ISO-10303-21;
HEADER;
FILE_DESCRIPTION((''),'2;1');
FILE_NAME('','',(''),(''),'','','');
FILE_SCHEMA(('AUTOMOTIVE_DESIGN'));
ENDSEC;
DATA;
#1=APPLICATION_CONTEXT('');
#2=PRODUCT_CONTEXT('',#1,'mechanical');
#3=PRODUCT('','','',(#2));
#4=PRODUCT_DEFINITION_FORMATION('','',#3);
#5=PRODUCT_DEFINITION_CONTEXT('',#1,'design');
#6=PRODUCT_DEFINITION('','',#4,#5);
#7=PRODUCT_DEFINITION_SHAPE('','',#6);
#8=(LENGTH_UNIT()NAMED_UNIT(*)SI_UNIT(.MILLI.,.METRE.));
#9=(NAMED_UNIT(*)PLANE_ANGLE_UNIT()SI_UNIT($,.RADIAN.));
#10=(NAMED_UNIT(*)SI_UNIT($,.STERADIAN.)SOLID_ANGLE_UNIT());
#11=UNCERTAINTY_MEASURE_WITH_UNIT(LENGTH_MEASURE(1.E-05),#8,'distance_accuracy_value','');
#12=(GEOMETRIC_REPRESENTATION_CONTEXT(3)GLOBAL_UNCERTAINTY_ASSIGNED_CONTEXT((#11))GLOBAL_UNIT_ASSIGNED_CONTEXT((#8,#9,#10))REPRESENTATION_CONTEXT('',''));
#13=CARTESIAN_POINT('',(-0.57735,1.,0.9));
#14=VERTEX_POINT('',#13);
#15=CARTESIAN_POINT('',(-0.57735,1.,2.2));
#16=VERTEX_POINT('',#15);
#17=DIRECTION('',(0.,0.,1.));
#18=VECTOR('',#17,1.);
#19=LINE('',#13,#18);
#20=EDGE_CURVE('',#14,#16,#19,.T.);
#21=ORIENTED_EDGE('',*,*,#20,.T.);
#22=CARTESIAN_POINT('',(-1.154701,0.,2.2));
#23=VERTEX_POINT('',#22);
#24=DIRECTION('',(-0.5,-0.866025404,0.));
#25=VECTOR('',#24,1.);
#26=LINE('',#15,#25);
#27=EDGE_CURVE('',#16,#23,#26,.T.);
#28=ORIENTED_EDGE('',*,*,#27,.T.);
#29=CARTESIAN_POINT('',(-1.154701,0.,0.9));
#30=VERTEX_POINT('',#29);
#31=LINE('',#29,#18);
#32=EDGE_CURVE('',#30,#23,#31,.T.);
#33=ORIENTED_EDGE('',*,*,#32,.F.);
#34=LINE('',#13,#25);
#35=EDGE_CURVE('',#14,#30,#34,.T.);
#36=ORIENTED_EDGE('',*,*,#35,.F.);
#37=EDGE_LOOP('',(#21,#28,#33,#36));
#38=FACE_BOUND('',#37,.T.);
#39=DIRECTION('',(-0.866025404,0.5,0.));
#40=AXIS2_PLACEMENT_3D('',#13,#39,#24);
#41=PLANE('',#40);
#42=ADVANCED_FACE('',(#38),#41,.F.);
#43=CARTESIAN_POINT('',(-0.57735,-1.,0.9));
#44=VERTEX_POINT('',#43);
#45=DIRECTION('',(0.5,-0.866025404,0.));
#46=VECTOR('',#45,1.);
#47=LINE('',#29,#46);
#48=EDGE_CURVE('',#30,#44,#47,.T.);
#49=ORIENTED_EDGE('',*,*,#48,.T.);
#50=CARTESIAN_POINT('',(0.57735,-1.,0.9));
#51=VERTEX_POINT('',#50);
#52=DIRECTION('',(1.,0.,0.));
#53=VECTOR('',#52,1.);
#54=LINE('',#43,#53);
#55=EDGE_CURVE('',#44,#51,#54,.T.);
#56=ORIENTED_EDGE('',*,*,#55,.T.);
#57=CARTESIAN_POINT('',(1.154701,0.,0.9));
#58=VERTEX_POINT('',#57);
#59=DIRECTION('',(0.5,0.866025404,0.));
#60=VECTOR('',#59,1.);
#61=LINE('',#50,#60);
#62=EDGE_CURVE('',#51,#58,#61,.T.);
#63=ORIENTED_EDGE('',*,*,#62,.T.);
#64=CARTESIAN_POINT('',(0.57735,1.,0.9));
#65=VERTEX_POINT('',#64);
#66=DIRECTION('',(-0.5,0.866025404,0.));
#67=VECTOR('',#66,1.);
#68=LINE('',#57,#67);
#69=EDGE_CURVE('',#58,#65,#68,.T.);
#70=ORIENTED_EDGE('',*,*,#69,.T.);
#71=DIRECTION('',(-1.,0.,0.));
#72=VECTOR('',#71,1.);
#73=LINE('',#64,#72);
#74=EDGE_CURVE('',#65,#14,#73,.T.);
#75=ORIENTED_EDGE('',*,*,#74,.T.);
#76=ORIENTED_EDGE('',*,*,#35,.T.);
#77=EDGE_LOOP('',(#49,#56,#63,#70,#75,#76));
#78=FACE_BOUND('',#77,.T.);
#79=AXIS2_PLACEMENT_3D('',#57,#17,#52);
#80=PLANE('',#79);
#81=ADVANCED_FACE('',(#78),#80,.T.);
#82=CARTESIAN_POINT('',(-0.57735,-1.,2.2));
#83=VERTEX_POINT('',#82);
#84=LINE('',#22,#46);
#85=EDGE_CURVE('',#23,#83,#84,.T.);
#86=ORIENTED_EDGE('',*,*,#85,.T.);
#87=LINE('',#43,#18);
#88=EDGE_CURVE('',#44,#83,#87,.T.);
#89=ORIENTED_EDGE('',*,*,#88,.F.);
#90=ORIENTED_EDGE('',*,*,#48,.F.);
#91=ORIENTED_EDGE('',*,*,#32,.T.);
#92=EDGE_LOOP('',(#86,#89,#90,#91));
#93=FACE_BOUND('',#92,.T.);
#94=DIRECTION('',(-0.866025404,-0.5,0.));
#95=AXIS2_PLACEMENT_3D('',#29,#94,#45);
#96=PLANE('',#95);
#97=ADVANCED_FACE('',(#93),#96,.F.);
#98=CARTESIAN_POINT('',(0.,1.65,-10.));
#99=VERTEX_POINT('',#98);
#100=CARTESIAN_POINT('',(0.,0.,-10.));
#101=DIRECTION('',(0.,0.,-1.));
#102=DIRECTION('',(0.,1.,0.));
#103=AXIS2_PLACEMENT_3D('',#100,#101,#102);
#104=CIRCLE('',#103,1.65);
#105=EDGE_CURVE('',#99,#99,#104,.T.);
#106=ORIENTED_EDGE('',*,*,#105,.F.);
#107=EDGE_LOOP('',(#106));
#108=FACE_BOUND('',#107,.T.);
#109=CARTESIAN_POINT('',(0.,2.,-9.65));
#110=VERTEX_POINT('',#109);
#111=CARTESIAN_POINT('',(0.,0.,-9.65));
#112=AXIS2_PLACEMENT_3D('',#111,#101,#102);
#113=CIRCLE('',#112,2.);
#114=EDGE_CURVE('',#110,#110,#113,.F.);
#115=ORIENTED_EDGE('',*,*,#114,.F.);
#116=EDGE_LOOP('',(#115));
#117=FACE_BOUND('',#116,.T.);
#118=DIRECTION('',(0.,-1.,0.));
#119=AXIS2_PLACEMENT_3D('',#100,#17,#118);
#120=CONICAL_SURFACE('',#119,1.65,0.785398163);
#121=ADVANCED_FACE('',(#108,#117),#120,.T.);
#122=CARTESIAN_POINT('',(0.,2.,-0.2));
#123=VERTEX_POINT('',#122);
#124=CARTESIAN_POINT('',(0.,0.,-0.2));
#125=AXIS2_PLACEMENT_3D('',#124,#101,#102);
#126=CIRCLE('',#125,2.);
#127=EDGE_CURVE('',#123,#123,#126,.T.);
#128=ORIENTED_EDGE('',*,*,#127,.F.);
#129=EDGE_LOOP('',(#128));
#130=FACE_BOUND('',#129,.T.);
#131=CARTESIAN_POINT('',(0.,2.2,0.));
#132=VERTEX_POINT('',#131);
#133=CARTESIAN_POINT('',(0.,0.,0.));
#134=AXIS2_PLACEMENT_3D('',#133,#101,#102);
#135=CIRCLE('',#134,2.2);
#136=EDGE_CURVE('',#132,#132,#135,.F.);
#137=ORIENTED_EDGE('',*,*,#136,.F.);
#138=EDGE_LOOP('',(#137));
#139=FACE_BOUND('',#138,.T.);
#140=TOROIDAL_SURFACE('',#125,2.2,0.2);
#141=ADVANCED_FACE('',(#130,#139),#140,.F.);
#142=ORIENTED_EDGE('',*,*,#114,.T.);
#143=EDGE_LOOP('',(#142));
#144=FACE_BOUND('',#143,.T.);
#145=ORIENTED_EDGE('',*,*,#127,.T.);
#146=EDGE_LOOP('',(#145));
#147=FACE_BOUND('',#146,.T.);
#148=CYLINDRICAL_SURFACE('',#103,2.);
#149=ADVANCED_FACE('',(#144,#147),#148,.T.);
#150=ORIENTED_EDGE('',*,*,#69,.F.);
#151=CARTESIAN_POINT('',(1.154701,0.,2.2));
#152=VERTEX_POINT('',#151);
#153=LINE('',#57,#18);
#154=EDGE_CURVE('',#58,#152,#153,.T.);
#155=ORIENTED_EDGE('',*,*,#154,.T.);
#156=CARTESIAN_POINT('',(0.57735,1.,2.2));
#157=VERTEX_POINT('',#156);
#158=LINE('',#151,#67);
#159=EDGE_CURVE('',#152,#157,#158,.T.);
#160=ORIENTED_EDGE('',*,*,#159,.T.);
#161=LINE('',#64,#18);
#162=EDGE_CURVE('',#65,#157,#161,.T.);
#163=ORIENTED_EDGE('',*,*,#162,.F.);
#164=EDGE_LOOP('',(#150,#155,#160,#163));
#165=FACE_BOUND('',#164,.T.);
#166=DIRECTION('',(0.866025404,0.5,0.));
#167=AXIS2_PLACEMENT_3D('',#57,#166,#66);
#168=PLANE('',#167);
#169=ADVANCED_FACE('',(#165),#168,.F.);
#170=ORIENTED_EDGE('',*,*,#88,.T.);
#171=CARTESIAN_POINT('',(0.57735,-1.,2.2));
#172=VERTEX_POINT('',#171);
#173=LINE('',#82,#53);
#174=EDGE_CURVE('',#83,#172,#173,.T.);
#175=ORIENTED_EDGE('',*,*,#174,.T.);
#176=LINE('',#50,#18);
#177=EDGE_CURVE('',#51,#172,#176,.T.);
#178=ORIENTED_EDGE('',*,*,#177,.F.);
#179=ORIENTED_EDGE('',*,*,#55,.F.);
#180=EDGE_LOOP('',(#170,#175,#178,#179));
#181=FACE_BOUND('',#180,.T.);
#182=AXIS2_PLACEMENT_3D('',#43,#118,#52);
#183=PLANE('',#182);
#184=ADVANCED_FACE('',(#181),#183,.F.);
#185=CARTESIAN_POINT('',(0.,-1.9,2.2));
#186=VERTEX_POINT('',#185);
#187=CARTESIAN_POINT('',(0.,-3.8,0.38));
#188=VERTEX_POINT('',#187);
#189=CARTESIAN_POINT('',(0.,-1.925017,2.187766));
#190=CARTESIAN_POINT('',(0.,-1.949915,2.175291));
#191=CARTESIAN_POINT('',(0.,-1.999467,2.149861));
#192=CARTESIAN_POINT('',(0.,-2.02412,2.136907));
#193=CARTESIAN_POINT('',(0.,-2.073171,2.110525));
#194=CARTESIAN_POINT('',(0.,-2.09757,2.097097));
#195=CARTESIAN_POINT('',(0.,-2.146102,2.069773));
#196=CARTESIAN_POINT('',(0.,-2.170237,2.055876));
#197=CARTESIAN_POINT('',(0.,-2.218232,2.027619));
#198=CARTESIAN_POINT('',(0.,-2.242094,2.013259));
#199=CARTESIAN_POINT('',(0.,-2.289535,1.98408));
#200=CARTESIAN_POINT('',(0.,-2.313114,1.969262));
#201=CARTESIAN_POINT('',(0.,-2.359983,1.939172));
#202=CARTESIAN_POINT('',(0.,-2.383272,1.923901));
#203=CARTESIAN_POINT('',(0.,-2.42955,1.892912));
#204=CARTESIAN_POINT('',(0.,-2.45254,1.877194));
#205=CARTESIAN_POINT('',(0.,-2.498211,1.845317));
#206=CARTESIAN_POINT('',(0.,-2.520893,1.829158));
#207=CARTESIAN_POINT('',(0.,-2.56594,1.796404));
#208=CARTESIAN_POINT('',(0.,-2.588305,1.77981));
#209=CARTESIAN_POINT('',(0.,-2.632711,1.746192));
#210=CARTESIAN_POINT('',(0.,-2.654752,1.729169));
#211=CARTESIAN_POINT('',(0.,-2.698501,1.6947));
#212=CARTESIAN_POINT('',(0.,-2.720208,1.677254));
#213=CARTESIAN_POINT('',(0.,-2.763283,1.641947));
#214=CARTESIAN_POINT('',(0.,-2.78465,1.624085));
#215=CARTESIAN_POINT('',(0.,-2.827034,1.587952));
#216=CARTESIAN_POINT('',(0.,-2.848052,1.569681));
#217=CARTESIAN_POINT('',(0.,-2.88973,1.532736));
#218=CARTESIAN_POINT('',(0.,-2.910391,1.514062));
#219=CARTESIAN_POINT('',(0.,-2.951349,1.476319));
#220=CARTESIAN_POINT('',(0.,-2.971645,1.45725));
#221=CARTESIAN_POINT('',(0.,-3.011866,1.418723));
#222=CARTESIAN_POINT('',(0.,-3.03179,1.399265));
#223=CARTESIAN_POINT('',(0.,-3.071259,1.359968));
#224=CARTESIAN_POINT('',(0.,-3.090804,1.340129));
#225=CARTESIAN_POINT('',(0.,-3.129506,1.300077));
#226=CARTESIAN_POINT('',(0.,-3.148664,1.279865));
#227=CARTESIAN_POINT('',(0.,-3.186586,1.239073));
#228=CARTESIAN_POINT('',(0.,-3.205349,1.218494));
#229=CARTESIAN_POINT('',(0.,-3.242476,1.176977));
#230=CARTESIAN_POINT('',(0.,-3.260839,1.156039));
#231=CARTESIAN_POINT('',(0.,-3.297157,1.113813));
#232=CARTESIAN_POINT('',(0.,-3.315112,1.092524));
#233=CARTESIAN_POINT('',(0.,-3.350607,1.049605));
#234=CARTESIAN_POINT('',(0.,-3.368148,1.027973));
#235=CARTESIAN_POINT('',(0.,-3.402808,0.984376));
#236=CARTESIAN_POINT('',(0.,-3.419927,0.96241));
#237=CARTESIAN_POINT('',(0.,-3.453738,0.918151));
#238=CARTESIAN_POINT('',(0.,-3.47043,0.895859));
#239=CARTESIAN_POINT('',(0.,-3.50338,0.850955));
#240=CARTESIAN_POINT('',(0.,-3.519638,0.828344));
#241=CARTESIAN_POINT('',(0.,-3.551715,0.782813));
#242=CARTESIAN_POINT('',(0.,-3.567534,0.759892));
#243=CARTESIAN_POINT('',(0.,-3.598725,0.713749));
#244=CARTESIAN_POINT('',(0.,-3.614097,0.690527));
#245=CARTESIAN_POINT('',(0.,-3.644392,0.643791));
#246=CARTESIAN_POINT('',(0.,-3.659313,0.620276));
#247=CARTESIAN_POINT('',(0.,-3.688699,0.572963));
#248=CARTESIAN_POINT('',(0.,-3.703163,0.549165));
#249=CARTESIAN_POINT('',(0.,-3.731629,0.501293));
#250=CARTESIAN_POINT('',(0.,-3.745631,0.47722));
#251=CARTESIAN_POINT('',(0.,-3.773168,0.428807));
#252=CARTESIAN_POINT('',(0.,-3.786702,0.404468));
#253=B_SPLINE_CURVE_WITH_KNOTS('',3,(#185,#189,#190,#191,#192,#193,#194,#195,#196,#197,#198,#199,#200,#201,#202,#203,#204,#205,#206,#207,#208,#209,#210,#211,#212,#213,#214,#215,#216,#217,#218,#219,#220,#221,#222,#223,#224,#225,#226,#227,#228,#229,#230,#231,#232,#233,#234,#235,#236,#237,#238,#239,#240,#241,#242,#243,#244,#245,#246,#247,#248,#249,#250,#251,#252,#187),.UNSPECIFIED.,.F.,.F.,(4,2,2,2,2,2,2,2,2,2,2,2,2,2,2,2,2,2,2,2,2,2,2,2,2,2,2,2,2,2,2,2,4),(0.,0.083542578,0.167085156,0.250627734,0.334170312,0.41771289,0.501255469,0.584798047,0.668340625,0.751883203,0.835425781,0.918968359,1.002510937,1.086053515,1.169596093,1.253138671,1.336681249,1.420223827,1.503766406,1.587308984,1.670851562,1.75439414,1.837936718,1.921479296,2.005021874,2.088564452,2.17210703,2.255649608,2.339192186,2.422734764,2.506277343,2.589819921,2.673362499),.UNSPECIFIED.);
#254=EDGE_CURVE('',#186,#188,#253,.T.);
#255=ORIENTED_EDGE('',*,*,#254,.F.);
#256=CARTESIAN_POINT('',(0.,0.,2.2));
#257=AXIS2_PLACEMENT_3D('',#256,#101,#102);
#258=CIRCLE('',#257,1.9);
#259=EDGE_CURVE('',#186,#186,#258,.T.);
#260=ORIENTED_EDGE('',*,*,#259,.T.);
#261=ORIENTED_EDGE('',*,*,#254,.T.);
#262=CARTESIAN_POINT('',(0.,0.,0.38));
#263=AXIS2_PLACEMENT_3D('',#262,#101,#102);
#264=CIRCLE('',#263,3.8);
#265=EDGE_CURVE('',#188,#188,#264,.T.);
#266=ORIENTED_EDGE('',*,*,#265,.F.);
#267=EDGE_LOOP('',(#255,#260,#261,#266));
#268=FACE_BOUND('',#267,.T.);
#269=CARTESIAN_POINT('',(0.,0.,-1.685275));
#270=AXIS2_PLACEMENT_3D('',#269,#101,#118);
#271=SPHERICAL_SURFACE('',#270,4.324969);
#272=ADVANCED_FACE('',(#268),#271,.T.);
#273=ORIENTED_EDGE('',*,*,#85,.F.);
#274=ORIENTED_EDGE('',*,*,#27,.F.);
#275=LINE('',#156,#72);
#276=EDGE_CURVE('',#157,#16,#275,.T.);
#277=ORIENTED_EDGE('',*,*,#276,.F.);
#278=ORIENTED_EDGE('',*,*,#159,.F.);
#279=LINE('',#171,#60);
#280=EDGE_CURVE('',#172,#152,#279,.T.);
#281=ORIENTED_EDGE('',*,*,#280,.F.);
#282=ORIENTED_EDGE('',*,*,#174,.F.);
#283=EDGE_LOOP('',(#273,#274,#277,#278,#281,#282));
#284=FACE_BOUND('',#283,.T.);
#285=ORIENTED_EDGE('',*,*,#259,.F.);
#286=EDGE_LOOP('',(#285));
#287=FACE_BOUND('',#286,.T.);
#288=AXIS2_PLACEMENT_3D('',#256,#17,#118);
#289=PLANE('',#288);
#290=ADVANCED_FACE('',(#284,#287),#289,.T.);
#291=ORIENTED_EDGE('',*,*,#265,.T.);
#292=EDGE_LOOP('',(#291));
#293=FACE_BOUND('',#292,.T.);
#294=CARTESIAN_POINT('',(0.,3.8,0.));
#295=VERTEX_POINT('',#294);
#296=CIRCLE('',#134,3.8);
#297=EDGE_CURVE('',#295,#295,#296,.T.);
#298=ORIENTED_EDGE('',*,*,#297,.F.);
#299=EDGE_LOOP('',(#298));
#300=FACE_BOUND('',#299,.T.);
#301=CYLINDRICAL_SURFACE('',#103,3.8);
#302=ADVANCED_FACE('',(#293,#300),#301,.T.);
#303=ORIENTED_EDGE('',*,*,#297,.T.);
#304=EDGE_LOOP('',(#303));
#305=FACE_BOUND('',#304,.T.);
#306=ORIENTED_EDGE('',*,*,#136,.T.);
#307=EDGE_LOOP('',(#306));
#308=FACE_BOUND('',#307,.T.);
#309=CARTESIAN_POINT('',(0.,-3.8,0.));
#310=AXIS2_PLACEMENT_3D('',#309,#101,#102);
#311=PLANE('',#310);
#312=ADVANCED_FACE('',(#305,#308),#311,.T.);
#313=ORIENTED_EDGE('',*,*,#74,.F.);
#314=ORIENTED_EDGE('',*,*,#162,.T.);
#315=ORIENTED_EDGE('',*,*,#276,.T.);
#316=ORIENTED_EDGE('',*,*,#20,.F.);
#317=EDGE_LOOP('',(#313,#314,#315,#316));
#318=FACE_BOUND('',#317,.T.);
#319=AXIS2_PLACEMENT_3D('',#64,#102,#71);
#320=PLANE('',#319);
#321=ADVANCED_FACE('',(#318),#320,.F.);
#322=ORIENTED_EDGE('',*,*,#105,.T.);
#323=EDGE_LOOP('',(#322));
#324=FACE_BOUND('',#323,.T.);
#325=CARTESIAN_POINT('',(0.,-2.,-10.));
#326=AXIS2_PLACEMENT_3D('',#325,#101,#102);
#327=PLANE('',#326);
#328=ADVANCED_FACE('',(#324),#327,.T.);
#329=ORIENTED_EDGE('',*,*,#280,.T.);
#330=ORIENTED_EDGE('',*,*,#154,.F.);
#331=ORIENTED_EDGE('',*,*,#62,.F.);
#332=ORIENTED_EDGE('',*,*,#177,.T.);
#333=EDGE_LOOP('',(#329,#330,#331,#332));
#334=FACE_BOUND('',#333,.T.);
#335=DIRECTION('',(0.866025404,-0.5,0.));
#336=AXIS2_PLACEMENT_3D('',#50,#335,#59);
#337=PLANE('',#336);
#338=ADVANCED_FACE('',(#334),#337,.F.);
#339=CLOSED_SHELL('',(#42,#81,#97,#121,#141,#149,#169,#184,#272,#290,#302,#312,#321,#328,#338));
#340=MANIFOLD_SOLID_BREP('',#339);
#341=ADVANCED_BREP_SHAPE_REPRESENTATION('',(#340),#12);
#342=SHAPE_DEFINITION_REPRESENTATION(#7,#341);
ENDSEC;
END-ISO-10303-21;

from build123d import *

# Parameters (mm, degrees)
CUT_EXTRUDE1_DEPTH = 1.3
CHAMFER1_SIZE      = 0.35
FILLET1_R          = 0.2


with BuildPart() as part:
    # Sketch1 → Revolve1 (revolve)
    with BuildSketch(Plane(origin=(0, 0, 0), x_dir=(0, 0, -1), z_dir=(1, 0, 0))):
        with BuildLine():
            Line((-0.38, 3.8), (0, 3.8))
            Line((0, 3.8), (0, 2))
            Line((0, 2), (10, 2))
            Line((10, 2), (10, 0))
            Line((10, 0), (-2.2, 0))
            Line((-2.2, 0), (-2.2, 1.9))
            ThreePointArc((-2.2, 1.9), (-1.437986341, 2.991755338), (-0.38, 3.8))
        make_face()
    revolve(axis=Axis((0, 0, -10), (0, 0, 1)))

    # Sketch2 → Cut-Extrude1 (cut)
    with BuildSketch(Plane.XY.offset(2.2)):
        Polygon((1.154700538, 0), (0.577350269, 1), (-0.577350269, 1), (-1.154700538, 0), (-0.577350269, -1), (0.577350269, -1), align=None)
    extrude(amount=-CUT_EXTRUDE1_DEPTH, mode=Mode.SUBTRACT)

    # Chamfer1
    chamfer1_edges = [part.edges().sort_by_distance(p)[0] for p in [
        (0, -2, -10),
    ]]
    chamfer(chamfer1_edges, length=CHAMFER1_SIZE)

    # Fillet1
    fillet1_edges = [part.edges().sort_by_distance(p)[0] for p in [
        (0, -2, 0),
    ]]
    fillet(fillet1_edges, radius=FILLET1_R)


solid = part.part
